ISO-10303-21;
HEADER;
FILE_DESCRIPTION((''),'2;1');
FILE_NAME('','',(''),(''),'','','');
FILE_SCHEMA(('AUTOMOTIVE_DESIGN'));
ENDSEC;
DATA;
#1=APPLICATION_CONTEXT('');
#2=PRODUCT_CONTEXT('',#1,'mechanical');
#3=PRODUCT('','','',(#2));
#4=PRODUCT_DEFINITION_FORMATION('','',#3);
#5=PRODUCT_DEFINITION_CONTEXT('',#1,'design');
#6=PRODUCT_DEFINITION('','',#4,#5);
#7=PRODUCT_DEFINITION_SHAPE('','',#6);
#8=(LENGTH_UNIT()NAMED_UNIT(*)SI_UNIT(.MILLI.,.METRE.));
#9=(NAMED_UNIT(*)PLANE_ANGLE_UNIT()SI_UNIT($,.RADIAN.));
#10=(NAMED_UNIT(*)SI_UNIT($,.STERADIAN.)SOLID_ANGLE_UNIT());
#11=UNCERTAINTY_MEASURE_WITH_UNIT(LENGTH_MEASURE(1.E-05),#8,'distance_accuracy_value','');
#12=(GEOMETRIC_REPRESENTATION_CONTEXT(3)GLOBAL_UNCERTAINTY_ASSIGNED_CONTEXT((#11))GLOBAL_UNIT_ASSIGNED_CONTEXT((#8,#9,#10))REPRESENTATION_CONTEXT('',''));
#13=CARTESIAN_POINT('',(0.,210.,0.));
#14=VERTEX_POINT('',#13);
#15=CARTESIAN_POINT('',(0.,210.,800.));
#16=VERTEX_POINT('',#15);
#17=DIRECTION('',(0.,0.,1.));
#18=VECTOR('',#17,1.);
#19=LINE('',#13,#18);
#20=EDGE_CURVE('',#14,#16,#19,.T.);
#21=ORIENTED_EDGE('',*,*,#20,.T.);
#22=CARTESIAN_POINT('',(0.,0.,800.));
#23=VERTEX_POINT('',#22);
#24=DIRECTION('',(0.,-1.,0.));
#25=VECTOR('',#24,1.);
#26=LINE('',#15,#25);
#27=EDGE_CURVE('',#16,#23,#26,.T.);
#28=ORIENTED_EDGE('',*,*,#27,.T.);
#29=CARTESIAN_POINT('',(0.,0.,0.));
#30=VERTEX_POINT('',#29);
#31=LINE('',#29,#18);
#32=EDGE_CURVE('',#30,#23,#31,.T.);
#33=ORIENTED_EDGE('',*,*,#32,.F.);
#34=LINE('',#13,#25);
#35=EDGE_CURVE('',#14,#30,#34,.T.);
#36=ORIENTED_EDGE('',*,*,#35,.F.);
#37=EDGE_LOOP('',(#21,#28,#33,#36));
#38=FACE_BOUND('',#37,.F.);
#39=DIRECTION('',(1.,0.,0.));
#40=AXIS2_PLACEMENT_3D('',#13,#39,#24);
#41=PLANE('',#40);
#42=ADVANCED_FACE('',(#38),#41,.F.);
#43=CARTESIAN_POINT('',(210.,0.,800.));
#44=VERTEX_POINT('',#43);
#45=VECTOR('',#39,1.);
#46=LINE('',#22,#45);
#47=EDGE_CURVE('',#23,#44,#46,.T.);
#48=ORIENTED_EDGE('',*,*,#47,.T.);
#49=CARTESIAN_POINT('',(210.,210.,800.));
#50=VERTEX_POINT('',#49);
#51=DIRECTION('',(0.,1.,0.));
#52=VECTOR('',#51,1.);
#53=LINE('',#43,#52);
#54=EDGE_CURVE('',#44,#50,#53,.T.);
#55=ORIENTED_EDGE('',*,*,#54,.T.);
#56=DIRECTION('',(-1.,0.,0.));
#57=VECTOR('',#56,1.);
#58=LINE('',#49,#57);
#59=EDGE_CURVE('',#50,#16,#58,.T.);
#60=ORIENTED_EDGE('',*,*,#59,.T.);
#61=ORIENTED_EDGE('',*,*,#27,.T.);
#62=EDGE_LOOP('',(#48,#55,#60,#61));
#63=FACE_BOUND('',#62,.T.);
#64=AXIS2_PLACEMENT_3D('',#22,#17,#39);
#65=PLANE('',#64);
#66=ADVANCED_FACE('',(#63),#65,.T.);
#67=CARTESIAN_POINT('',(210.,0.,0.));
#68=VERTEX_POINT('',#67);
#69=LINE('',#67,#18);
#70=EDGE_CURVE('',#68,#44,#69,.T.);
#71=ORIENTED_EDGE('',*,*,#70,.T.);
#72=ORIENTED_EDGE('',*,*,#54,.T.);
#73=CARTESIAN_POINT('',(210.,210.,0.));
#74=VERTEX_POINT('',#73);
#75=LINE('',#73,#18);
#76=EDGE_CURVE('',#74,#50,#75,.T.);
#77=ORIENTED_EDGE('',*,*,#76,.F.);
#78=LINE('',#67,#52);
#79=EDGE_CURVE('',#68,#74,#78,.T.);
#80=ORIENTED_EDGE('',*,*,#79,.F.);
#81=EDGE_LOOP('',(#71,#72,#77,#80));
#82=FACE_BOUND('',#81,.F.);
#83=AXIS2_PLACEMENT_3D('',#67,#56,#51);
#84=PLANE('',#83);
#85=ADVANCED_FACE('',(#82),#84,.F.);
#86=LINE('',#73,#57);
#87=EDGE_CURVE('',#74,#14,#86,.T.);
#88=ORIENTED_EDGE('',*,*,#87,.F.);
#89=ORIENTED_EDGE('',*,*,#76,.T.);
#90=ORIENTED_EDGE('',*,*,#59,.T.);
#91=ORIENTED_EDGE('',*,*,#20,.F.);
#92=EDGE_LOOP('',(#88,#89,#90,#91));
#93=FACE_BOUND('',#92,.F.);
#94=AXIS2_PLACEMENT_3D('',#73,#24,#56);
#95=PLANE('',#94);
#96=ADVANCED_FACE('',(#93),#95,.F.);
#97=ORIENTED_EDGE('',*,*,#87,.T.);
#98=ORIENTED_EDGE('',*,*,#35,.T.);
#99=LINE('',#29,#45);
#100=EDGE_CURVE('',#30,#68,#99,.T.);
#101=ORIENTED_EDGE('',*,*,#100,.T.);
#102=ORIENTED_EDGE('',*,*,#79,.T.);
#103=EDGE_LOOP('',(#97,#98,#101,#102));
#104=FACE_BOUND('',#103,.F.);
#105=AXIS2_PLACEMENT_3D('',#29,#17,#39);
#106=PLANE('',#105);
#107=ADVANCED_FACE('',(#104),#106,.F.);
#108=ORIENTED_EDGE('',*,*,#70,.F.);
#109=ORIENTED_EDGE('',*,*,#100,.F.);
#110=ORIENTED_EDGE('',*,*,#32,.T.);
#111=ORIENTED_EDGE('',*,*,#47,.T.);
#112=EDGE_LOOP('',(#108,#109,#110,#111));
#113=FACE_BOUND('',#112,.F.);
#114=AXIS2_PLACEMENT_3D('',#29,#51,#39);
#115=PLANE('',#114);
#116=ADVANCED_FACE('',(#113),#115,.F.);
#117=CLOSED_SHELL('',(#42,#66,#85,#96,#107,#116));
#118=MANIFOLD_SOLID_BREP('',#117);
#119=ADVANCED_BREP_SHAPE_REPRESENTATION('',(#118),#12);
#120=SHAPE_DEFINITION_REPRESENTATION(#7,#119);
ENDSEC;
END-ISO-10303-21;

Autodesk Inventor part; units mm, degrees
ref_plane "YZ Plane" through (0, 0, 0) normal (1, 0, 0) x (0, 1, 0)
ref_plane "XZ Plane" through (0, 0, 0) normal (0, 1, 0) x (-1, 0, 0)
ref_plane "XY Plane" through (0, 0, 0) normal (0, 0, 1) x (1, 0, 0)
sketch "Sketch1" plane through (0, 0, 0) normal (0, 0, 1) x (1, 0, 0)
  line L0 (0, 0) -> (210, 0)
  line L1 (210, 0) -> (210, 210)
  line L2 (210, 210) -> (0, 210)
  line L3 (0, 210) -> (0, 0)
  dimension "d0" = 210
  dimension "d1" = 210
extrude "Extrusion1" add sketch "Sketch1" along normal blind 800
properties part number "Compressor Assembly"
